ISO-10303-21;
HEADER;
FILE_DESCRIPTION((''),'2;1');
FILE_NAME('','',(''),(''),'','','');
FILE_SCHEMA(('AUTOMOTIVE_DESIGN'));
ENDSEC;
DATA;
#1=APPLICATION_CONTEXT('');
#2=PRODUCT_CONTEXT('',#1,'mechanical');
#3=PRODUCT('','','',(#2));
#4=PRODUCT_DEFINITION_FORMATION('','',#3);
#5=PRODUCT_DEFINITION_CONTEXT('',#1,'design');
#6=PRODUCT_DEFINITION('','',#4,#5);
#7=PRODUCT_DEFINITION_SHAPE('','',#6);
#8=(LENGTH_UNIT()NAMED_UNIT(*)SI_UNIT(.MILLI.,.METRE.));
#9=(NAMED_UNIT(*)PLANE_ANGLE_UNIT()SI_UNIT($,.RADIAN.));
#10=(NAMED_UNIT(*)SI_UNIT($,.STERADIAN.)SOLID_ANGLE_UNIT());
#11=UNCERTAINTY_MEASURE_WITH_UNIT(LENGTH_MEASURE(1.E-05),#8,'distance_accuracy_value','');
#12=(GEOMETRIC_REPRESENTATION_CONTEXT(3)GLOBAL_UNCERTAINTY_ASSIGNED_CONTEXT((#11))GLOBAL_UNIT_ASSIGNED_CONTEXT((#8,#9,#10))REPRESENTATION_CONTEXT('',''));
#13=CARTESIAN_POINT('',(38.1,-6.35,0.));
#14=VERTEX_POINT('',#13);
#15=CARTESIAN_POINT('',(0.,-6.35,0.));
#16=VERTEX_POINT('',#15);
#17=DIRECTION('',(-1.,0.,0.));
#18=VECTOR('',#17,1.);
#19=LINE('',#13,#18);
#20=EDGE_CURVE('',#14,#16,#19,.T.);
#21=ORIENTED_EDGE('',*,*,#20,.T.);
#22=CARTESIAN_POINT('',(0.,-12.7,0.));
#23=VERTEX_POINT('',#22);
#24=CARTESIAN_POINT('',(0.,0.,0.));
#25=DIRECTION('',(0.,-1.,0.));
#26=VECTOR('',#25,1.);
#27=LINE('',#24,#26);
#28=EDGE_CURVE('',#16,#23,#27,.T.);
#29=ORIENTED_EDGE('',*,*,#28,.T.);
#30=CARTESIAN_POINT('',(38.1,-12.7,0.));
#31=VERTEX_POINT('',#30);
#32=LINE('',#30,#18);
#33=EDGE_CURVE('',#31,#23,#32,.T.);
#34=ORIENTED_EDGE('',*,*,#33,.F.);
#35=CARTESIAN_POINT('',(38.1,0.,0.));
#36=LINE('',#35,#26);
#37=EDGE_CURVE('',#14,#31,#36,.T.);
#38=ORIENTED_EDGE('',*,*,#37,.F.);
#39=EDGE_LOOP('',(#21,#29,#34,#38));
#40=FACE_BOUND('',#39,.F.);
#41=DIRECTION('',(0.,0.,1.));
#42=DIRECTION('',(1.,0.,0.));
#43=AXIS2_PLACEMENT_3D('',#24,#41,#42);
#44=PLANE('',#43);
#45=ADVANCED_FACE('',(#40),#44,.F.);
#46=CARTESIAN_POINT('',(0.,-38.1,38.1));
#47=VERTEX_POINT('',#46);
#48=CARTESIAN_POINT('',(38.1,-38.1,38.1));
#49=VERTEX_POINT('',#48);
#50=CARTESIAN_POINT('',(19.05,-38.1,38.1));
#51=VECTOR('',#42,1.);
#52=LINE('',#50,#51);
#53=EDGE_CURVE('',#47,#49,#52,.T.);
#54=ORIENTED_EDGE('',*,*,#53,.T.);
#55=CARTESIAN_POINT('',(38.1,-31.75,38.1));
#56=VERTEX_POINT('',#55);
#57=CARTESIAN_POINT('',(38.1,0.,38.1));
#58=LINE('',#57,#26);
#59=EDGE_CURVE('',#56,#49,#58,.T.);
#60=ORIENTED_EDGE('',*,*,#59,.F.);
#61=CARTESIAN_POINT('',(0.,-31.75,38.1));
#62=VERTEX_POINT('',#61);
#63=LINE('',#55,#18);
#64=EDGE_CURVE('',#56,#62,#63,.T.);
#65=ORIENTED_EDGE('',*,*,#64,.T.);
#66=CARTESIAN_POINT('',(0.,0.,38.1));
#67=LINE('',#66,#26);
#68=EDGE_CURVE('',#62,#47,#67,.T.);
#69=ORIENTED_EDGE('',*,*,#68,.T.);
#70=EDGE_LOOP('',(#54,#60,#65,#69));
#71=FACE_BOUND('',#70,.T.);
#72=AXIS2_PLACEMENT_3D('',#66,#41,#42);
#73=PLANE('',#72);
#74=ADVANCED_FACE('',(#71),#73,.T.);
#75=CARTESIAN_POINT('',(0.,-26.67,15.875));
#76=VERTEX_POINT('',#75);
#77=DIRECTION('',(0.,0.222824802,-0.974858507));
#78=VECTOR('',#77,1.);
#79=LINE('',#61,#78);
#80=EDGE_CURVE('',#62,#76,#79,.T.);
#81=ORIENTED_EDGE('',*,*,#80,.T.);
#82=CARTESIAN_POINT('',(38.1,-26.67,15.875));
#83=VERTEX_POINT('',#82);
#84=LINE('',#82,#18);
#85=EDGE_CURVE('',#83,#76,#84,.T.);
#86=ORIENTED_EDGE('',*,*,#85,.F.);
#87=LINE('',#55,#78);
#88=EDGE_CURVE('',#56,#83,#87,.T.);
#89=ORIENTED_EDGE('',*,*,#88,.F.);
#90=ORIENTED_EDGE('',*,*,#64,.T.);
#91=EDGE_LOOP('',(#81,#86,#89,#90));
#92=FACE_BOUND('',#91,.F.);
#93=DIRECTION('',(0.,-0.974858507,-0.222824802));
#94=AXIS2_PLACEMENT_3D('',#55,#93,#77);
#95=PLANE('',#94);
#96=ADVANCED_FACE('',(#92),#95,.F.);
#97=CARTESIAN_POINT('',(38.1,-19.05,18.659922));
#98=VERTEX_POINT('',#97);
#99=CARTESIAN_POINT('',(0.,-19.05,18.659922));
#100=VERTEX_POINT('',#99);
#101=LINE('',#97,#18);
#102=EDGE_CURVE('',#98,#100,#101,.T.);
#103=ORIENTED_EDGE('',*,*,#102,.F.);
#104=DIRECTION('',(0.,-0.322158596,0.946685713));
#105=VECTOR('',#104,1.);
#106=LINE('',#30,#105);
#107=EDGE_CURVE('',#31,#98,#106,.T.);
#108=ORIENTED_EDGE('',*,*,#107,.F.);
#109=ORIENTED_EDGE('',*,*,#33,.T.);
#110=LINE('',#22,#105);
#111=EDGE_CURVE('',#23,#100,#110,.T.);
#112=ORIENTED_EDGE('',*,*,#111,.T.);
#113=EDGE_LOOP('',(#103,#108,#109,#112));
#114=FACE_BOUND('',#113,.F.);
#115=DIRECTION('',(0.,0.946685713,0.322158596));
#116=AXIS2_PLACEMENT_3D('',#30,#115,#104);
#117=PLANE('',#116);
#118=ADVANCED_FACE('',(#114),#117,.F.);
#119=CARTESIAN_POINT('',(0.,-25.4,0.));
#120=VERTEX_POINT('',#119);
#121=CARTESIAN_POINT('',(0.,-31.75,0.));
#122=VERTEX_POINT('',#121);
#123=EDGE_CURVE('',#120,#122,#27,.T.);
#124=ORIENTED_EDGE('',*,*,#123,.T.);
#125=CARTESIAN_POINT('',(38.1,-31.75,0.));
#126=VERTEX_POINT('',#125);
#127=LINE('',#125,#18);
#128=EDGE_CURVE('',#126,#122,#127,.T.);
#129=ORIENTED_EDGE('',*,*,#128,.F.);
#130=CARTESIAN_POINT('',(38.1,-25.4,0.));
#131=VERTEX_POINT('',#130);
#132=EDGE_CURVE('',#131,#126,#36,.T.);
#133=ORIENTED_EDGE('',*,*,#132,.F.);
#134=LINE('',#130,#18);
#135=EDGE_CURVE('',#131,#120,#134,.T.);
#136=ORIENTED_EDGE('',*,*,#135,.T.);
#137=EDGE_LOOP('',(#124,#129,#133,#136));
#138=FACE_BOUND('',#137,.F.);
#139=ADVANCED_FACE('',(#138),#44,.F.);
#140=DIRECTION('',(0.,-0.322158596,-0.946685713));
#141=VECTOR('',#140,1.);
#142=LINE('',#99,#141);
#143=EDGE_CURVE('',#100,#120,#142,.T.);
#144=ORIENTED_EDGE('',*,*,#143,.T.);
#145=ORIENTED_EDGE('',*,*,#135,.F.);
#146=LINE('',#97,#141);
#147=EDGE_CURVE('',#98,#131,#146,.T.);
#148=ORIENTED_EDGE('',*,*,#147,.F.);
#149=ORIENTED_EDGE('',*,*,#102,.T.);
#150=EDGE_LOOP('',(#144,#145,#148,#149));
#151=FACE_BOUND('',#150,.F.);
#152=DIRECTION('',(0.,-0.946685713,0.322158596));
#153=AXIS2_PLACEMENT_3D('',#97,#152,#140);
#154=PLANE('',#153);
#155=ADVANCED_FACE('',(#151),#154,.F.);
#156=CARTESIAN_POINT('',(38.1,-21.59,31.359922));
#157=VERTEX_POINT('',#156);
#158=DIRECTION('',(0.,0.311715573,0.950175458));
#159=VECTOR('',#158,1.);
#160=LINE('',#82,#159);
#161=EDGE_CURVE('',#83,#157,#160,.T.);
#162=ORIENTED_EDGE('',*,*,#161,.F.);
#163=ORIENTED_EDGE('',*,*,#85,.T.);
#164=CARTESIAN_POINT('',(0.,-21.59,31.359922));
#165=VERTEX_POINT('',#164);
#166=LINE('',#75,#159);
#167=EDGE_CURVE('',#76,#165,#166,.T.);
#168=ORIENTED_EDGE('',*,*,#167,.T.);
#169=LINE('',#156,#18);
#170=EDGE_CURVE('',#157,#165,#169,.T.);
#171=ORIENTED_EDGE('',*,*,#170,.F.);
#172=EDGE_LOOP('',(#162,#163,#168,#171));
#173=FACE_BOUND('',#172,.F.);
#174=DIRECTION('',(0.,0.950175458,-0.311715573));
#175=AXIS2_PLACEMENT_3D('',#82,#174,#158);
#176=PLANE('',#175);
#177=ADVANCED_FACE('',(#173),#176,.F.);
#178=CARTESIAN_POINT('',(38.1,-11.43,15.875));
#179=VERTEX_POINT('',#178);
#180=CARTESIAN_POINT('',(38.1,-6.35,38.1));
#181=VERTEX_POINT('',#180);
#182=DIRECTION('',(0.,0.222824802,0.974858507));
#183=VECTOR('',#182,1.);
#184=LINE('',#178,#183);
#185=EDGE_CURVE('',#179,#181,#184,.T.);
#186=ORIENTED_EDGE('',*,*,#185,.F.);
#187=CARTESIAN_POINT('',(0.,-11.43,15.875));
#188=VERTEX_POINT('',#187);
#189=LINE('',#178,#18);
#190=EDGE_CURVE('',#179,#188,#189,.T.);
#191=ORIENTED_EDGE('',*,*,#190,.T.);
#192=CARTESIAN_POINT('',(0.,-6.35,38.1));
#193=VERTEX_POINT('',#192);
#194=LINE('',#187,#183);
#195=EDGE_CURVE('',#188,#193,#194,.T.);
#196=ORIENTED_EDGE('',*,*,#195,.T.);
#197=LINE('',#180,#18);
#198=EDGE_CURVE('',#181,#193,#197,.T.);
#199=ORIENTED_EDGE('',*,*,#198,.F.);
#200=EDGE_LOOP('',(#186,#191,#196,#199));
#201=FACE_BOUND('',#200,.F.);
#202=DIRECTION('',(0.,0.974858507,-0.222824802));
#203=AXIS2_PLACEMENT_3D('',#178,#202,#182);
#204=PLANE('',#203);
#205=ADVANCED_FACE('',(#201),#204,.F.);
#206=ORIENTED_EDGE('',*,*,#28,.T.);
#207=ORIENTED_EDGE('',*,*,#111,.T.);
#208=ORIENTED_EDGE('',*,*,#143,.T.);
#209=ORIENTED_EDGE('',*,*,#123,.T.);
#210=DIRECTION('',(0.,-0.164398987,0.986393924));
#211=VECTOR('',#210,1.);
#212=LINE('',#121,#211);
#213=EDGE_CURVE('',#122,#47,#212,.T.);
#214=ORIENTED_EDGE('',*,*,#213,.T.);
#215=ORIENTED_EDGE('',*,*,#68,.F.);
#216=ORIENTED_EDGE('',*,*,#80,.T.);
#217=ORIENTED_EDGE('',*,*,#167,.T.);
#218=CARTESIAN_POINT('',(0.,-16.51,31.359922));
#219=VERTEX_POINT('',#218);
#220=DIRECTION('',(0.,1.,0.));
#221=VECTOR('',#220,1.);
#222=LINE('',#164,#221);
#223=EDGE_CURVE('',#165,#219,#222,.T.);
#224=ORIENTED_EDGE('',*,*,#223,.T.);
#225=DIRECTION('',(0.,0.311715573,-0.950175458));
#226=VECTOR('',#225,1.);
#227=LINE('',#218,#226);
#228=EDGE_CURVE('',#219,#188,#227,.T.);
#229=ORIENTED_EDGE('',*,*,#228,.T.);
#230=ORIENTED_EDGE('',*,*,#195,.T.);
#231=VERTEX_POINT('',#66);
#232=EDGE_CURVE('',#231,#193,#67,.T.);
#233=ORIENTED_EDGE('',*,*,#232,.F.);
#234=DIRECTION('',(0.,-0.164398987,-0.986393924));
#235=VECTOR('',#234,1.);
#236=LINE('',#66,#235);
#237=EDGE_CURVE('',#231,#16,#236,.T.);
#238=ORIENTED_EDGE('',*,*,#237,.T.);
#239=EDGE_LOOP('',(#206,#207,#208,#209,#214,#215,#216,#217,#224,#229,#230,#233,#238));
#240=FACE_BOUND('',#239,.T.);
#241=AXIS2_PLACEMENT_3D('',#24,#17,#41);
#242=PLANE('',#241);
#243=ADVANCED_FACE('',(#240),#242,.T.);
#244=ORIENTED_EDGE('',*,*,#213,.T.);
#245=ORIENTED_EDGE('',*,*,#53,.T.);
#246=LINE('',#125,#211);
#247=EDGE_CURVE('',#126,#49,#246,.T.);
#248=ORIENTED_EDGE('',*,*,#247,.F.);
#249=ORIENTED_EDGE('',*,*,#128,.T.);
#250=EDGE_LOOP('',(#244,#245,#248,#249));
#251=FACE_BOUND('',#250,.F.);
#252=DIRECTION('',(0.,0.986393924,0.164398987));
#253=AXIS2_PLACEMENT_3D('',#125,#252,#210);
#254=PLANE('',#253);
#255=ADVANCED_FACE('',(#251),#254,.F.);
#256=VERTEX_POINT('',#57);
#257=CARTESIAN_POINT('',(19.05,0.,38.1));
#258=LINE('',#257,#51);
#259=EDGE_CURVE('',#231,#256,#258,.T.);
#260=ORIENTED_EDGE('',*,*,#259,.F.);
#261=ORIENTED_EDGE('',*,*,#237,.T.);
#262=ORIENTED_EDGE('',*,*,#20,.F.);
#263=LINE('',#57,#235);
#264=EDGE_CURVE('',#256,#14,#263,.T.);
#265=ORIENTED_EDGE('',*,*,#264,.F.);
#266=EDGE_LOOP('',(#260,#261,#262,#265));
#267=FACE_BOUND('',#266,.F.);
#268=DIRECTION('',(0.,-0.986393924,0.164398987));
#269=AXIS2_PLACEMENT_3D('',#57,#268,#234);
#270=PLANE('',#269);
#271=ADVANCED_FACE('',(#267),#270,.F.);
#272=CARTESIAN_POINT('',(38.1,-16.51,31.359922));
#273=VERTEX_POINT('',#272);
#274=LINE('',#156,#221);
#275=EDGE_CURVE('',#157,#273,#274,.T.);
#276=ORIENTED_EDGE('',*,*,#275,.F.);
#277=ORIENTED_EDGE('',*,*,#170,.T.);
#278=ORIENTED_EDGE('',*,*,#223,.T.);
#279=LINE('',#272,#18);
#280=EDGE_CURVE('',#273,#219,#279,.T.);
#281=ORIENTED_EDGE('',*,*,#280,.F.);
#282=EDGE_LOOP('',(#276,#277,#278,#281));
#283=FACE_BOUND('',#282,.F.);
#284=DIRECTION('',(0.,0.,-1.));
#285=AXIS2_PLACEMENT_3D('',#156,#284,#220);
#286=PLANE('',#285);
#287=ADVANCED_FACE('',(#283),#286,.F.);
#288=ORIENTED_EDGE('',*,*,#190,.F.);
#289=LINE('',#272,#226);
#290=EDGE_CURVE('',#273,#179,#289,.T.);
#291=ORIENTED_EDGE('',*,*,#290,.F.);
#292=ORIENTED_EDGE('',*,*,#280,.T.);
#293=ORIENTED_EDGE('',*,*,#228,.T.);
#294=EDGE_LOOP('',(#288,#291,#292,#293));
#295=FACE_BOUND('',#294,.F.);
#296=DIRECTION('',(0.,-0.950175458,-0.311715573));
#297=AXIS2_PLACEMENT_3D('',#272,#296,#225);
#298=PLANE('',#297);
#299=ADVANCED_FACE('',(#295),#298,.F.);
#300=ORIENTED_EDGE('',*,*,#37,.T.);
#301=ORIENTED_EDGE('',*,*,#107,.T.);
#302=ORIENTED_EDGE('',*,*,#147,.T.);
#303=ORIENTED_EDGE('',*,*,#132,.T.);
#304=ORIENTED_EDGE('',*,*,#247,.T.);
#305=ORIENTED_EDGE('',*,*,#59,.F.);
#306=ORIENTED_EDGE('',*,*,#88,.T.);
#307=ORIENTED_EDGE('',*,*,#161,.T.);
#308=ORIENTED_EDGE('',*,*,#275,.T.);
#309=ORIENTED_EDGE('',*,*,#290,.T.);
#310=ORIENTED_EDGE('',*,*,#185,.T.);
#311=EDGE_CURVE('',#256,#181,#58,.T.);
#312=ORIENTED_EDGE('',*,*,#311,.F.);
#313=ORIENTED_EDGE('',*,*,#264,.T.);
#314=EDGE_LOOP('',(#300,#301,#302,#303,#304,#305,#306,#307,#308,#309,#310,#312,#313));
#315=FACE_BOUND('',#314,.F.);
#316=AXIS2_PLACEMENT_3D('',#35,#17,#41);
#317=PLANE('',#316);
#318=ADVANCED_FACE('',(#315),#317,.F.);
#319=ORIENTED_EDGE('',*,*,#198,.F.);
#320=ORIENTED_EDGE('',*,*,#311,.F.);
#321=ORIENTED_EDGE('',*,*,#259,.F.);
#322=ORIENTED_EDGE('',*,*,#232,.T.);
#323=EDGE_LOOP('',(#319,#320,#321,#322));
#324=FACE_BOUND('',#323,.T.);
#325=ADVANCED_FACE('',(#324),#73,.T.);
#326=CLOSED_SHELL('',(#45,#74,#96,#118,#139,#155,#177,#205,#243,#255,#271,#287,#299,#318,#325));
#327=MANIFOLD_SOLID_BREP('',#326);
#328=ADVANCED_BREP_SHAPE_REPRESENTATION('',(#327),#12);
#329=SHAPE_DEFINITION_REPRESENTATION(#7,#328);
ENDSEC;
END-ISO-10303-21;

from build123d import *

# Parameters (mm, degrees)
F0_W     = 38.1
F0_H     = 38.1
F1_DEPTH = 38.1
F5_DEPTH = 38.1


with BuildPart() as f1:
    # F0 (on Front) → F1 (new body)
    with BuildSketch(Plane.XZ):
        with Locations((19.05, 19.05)):
            Rectangle(F0_W, F0_H)
    extrude(amount=F1_DEPTH)

    # F4 (on offset) → F5 (cut)
    with BuildSketch(Plane.YZ.offset(38.1)):
        Polygon((-31.75, 0), (-38.1, 38.1), (-38.1, 0), align=None)
        Polygon((-19.05, 0), (-12.7, 0), (-19.05, 18.659922), (-25.4, 0), align=None)
        Polygon((-6.35, 0), (0, 0), (0, 38.1), align=None)
        Polygon((-11.43, 15.875), (-6.35, 38.1), (-31.75, 38.1), (-26.67, 15.875), (-21.59, 31.359922), (-16.51, 31.359922), align=None)
    extrude(amount=-F5_DEPTH, mode=Mode.SUBTRACT)


solid = f1.part
